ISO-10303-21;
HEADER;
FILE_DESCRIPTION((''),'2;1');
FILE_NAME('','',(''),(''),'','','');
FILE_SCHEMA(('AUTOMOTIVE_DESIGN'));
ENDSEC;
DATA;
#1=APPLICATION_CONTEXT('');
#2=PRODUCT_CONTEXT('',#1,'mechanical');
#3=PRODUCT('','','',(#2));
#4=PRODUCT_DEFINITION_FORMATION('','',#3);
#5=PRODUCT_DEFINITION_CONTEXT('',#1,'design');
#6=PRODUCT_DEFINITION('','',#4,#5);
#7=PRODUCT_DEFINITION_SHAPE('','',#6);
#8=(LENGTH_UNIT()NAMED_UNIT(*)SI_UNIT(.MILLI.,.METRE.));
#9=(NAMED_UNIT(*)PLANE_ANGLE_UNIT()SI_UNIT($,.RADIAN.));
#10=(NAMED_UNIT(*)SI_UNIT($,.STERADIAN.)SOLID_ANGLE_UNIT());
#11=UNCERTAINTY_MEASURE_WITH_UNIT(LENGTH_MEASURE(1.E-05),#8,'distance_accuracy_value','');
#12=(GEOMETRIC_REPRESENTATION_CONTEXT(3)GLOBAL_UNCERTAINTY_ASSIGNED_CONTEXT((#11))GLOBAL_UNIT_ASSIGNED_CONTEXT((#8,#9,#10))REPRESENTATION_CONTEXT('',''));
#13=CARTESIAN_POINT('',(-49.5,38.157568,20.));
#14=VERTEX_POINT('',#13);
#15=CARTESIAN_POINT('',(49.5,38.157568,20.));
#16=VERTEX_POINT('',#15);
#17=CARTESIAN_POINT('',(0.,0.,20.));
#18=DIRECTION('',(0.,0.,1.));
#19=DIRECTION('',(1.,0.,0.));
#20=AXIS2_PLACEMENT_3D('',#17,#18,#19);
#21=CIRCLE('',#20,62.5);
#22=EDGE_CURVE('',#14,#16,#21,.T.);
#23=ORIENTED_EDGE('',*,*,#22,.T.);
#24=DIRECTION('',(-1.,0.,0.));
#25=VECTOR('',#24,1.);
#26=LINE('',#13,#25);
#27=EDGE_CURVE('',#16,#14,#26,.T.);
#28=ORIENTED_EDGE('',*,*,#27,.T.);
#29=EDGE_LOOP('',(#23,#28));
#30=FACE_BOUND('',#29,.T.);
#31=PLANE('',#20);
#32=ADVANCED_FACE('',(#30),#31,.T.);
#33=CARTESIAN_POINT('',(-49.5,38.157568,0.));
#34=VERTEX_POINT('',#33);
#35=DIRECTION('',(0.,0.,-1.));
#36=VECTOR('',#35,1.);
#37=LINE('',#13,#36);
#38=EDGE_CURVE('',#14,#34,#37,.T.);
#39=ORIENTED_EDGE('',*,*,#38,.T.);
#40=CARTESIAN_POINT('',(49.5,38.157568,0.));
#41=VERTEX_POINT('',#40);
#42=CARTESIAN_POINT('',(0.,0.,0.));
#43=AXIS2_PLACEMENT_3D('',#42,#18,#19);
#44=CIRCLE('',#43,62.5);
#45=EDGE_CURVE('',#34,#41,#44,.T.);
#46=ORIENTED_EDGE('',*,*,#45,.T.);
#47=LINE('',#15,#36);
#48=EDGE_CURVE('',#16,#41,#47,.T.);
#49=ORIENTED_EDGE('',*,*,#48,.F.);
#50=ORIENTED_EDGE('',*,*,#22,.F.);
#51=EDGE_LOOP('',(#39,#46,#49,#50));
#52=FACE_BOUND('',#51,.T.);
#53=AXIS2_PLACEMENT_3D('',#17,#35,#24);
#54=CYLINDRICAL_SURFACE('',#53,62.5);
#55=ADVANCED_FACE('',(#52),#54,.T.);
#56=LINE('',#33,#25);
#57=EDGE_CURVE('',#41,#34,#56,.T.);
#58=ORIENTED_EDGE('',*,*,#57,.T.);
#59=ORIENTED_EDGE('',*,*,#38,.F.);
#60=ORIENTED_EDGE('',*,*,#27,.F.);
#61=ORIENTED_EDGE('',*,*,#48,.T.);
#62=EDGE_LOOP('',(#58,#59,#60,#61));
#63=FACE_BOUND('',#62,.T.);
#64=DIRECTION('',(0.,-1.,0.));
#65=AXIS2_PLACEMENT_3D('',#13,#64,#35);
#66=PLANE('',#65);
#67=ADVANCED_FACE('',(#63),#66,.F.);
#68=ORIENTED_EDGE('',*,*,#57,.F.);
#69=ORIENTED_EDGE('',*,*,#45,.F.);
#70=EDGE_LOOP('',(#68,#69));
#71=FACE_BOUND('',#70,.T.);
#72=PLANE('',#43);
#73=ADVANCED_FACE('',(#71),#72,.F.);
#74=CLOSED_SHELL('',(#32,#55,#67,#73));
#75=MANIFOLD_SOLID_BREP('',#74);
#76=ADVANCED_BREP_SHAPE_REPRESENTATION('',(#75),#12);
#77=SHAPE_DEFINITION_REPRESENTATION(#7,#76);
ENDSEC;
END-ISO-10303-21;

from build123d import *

# Parameters (mm, degrees)
BOSS_EXTRUDE1_DEPTH = 20


with BuildPart() as part:
    # Sketch1 → Boss-Extrude1 (new body)
    with BuildSketch(Plane.XY):
        with BuildLine():
            Line((-49.5, 38.157568057), (49.5, 38.157568057))
            ThreePointArc((49.5, 38.157568057), (0, -62.5), (-49.5, 38.157568057))
        make_face()
    extrude(amount=BOSS_EXTRUDE1_DEPTH)


solid = part.part
